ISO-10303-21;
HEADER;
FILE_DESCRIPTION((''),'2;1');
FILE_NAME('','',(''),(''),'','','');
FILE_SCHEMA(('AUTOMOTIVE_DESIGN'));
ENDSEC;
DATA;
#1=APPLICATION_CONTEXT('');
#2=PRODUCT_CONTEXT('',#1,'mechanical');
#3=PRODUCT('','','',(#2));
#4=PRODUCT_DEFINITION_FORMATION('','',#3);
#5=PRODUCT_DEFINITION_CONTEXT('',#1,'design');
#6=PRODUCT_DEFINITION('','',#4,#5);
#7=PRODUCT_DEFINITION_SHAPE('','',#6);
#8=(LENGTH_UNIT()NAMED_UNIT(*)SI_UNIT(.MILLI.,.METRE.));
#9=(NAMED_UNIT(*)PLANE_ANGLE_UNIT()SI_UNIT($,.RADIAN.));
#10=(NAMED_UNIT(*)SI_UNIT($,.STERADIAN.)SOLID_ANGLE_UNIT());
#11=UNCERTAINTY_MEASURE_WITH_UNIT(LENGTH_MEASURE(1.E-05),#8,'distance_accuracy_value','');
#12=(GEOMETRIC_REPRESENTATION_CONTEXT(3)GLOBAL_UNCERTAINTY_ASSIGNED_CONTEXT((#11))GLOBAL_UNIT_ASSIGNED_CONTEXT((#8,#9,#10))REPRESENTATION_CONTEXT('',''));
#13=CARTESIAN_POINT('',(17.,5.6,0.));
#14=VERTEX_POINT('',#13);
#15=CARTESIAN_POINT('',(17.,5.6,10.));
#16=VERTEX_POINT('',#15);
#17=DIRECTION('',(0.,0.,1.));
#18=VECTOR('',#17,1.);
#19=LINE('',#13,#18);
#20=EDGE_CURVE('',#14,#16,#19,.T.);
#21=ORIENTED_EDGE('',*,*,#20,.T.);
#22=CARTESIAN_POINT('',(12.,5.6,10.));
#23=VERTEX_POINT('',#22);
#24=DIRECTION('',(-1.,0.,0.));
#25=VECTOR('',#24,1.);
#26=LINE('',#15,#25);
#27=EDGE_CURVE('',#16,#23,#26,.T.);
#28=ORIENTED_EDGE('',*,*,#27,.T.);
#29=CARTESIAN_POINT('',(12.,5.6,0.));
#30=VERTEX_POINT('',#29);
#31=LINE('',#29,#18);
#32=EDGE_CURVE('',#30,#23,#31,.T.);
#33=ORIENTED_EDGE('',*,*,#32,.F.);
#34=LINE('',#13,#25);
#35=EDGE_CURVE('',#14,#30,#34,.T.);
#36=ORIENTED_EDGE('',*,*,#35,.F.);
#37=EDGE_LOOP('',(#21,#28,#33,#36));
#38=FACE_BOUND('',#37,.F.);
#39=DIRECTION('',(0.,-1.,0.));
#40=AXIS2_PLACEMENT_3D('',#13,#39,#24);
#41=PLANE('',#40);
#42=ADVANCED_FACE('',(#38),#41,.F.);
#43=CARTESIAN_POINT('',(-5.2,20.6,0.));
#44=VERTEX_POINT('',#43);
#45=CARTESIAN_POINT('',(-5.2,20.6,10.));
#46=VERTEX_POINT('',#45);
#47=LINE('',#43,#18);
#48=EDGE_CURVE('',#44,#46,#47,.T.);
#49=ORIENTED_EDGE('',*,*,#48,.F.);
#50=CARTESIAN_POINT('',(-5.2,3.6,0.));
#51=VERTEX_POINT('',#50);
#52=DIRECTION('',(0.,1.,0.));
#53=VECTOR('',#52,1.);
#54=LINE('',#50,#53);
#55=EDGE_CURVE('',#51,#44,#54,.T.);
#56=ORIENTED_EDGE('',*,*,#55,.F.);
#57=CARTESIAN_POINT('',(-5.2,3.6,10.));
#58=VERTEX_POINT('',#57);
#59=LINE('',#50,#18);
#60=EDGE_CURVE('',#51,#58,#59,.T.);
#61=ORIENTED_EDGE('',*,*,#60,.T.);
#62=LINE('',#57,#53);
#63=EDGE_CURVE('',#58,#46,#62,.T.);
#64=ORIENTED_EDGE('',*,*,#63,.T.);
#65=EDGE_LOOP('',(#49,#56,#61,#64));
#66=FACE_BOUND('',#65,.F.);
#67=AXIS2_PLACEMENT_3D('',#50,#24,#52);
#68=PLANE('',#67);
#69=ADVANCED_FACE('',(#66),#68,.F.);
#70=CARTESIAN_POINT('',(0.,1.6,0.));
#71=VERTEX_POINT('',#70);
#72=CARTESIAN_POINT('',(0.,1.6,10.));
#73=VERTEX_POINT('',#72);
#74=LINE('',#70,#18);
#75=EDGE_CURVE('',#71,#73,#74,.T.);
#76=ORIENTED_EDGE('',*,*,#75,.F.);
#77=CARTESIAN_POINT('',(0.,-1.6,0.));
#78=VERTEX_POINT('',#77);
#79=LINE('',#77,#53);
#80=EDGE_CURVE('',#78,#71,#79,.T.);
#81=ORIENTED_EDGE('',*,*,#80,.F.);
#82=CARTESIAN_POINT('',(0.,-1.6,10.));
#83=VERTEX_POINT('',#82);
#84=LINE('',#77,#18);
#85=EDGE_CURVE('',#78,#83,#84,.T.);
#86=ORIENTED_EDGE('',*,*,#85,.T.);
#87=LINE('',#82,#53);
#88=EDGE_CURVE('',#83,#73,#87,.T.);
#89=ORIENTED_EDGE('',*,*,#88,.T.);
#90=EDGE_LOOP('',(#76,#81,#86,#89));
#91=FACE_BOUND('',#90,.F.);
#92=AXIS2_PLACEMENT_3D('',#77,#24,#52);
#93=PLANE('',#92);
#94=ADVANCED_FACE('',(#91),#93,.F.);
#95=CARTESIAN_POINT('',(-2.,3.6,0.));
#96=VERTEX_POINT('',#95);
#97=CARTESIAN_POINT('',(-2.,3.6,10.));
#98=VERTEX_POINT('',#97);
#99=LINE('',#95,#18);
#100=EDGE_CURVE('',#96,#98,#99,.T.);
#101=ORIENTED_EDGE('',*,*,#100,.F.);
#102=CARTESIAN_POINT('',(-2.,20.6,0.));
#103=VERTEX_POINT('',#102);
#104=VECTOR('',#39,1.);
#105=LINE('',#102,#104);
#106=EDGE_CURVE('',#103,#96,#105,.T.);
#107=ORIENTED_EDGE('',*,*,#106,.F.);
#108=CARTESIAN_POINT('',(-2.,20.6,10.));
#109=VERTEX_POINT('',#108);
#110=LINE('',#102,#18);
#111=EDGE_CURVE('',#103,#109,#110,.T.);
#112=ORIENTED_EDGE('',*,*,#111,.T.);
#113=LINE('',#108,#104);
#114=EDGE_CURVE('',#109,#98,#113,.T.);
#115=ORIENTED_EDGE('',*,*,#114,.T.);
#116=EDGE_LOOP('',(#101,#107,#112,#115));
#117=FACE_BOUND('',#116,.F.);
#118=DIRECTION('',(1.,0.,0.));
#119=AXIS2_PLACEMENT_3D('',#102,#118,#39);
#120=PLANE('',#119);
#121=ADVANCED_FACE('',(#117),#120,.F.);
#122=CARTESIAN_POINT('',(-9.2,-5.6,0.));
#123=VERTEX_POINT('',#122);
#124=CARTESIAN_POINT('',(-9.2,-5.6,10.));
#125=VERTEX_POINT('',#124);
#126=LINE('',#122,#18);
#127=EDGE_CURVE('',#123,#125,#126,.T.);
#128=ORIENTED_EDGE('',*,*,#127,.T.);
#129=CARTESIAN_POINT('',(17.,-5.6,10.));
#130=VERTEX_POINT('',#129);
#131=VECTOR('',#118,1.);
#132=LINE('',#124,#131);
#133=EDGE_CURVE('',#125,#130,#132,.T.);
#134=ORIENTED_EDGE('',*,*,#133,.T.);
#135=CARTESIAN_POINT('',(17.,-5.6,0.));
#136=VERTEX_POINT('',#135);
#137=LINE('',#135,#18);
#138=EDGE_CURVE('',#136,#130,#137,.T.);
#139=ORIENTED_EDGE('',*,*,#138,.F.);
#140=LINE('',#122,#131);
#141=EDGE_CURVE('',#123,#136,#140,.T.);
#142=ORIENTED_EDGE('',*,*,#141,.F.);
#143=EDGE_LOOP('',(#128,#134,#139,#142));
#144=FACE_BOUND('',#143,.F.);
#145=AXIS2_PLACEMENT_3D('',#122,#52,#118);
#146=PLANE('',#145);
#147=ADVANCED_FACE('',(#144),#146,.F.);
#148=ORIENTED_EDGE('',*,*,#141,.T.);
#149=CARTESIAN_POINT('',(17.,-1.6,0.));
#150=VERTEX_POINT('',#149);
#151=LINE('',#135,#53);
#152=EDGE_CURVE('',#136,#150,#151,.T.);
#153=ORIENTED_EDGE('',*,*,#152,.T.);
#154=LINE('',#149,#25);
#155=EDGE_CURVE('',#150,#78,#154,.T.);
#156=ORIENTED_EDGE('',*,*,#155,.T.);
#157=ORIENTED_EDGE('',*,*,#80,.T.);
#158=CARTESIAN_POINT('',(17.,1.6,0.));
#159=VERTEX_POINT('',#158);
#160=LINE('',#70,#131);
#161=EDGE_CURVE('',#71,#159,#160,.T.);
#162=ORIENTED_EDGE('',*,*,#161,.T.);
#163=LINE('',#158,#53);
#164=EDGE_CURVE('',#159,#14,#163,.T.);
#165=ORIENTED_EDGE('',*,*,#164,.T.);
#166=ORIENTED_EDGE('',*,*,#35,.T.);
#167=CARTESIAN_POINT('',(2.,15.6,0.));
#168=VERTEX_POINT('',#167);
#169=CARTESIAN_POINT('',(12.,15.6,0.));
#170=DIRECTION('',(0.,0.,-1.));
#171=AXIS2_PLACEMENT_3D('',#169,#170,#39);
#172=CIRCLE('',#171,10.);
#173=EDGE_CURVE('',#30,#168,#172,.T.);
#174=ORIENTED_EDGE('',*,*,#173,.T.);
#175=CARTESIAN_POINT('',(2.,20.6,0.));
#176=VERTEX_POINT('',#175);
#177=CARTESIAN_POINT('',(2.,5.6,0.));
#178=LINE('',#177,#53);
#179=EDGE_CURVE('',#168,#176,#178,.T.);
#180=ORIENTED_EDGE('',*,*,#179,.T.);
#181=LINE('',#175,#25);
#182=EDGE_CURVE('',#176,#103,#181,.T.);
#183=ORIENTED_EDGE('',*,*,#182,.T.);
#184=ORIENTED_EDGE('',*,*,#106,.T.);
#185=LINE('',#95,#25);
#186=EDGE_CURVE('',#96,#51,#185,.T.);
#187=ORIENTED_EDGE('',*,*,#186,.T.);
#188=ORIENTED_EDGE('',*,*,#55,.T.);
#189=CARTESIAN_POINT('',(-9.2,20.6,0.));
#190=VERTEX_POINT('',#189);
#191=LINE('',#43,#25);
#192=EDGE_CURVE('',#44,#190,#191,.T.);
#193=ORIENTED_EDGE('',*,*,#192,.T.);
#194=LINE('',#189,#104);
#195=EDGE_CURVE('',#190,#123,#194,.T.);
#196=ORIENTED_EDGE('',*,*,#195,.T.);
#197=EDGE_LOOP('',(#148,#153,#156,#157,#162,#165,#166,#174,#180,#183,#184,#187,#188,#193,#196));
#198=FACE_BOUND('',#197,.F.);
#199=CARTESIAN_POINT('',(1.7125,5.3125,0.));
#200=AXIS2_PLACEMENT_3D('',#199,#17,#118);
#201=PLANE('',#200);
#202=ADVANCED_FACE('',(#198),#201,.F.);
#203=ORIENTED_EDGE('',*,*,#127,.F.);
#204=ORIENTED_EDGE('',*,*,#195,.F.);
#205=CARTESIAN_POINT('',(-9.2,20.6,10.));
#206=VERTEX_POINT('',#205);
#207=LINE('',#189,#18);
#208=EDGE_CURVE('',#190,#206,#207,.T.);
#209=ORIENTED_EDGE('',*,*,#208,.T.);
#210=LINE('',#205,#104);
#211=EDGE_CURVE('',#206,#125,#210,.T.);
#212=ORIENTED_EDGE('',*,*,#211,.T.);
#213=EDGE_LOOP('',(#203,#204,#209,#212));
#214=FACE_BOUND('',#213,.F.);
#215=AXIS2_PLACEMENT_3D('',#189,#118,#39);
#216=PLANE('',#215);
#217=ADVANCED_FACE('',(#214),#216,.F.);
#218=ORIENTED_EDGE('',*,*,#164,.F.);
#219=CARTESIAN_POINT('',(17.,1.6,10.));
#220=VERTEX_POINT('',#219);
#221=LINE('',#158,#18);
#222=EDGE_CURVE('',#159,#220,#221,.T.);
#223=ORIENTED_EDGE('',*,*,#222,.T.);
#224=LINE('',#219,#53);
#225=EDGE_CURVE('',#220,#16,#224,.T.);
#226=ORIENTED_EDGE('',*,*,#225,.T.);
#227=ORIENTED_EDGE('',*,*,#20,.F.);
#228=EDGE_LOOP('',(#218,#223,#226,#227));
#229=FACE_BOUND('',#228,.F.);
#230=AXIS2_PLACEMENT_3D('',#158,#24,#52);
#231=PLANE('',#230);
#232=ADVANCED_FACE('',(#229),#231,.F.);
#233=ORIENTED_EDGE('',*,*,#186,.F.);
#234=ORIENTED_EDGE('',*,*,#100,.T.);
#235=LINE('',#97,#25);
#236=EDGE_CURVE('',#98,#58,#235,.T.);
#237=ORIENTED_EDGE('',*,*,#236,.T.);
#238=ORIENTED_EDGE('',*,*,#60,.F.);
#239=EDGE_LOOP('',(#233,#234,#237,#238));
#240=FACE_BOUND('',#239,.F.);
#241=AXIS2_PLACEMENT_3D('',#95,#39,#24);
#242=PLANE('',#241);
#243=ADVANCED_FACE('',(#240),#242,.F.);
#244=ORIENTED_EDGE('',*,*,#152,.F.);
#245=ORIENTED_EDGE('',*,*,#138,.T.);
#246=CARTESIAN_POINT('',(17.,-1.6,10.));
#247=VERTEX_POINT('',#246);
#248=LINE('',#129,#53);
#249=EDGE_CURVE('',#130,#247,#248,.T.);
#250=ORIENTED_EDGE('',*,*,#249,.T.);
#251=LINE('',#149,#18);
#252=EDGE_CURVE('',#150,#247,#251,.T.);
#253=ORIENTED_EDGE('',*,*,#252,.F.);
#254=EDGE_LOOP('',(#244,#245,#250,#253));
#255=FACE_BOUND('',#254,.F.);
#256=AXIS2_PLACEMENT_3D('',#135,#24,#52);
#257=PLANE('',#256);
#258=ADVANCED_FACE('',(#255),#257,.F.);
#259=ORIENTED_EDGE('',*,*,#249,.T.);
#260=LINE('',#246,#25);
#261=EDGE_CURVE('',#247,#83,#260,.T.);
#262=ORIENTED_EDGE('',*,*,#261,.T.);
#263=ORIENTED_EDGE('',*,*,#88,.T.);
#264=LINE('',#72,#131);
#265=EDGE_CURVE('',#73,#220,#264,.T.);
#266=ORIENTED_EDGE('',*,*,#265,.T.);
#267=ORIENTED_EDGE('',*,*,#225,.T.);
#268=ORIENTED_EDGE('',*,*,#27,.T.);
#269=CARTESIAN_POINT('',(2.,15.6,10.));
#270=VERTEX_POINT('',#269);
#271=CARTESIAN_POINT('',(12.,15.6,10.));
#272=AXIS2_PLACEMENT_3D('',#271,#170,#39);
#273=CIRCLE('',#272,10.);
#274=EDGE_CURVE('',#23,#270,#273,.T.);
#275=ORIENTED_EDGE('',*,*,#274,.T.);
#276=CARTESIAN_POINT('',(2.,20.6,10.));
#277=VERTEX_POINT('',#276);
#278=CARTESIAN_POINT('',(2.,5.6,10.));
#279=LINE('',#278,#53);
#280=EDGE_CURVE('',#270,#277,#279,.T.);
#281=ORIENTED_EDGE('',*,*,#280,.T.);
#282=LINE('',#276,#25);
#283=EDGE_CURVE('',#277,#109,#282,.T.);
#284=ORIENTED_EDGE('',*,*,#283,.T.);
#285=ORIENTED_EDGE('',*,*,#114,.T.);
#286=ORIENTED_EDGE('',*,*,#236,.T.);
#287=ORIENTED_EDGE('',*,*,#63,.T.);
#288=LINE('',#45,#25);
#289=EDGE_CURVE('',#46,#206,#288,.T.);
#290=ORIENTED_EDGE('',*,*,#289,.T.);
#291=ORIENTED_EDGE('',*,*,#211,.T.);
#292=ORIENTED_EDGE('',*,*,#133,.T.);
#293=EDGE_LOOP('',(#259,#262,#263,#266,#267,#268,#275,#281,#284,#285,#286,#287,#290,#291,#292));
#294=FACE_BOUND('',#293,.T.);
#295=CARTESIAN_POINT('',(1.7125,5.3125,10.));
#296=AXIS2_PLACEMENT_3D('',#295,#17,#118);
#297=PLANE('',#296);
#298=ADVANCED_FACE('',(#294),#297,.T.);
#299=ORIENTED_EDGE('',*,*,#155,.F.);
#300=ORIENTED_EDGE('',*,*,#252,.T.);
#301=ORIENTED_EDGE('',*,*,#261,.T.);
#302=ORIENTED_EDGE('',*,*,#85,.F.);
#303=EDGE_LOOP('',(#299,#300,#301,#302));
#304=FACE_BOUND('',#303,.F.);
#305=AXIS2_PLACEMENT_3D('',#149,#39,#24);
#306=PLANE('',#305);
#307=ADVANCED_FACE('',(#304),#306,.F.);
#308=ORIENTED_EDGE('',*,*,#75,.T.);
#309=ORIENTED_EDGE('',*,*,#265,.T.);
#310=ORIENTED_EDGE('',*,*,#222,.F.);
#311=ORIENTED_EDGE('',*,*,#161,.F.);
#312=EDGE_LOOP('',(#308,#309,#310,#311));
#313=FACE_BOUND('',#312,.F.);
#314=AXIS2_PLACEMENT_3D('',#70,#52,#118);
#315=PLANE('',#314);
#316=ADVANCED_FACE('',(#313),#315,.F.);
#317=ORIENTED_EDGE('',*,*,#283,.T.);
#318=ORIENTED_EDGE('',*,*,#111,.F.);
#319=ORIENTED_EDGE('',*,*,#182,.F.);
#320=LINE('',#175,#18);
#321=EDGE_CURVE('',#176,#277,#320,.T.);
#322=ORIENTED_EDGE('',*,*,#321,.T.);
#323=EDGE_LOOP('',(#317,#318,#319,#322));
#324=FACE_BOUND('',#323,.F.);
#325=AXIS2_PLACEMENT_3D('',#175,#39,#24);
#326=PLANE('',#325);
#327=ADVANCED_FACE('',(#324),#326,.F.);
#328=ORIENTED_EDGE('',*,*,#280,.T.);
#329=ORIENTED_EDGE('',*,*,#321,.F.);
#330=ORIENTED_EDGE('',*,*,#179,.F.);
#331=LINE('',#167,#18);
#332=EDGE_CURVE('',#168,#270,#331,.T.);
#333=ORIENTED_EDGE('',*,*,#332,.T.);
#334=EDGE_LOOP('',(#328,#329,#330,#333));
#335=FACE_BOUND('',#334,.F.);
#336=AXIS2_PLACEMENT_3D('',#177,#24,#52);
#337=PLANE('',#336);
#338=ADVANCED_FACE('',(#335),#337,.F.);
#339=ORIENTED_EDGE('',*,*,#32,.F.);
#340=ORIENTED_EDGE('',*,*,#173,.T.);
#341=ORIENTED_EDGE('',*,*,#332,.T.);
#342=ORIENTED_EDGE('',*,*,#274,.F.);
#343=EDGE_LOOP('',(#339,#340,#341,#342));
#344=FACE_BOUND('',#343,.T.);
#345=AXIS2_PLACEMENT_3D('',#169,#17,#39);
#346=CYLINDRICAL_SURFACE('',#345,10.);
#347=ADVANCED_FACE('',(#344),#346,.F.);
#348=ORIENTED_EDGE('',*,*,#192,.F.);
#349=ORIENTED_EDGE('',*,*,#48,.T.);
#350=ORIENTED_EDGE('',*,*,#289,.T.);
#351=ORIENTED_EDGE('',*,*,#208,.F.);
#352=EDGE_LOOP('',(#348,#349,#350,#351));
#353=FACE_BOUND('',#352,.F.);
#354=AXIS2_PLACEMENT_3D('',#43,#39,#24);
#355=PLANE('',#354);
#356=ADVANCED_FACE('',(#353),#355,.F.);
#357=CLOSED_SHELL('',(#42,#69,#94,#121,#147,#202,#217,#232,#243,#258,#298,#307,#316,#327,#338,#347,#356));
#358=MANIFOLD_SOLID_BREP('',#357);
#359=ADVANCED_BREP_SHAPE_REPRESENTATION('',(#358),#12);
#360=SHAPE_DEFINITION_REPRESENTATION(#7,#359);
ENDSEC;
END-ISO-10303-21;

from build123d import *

# Parameters (mm, degrees)
F2_DEPTH = 10
F3_R     = 10


with BuildPart() as f2:
    # F1 (on Top) → F2 (new body)
    with BuildSketch(Plane.XY):
        Polygon((2, 20.6), (-2, 20.6), (-2, 3.6), (-5.2, 3.6), (-5.2, 20.6), (-9.2, 20.6), (-9.2, -5.6), (17, -5.6), (17, -1.6), (0, -1.6), (0, 1.6), (17, 1.6), (17, 5.6), (2, 5.6), align=None)
    extrude(amount=F2_DEPTH)

    # F3
    f3_edges = [f2.edges().sort_by_distance(p)[0] for p in [
        (2, 5.6, 5),
    ]]
    fillet(f3_edges, radius=F3_R)


solid = f2.part
